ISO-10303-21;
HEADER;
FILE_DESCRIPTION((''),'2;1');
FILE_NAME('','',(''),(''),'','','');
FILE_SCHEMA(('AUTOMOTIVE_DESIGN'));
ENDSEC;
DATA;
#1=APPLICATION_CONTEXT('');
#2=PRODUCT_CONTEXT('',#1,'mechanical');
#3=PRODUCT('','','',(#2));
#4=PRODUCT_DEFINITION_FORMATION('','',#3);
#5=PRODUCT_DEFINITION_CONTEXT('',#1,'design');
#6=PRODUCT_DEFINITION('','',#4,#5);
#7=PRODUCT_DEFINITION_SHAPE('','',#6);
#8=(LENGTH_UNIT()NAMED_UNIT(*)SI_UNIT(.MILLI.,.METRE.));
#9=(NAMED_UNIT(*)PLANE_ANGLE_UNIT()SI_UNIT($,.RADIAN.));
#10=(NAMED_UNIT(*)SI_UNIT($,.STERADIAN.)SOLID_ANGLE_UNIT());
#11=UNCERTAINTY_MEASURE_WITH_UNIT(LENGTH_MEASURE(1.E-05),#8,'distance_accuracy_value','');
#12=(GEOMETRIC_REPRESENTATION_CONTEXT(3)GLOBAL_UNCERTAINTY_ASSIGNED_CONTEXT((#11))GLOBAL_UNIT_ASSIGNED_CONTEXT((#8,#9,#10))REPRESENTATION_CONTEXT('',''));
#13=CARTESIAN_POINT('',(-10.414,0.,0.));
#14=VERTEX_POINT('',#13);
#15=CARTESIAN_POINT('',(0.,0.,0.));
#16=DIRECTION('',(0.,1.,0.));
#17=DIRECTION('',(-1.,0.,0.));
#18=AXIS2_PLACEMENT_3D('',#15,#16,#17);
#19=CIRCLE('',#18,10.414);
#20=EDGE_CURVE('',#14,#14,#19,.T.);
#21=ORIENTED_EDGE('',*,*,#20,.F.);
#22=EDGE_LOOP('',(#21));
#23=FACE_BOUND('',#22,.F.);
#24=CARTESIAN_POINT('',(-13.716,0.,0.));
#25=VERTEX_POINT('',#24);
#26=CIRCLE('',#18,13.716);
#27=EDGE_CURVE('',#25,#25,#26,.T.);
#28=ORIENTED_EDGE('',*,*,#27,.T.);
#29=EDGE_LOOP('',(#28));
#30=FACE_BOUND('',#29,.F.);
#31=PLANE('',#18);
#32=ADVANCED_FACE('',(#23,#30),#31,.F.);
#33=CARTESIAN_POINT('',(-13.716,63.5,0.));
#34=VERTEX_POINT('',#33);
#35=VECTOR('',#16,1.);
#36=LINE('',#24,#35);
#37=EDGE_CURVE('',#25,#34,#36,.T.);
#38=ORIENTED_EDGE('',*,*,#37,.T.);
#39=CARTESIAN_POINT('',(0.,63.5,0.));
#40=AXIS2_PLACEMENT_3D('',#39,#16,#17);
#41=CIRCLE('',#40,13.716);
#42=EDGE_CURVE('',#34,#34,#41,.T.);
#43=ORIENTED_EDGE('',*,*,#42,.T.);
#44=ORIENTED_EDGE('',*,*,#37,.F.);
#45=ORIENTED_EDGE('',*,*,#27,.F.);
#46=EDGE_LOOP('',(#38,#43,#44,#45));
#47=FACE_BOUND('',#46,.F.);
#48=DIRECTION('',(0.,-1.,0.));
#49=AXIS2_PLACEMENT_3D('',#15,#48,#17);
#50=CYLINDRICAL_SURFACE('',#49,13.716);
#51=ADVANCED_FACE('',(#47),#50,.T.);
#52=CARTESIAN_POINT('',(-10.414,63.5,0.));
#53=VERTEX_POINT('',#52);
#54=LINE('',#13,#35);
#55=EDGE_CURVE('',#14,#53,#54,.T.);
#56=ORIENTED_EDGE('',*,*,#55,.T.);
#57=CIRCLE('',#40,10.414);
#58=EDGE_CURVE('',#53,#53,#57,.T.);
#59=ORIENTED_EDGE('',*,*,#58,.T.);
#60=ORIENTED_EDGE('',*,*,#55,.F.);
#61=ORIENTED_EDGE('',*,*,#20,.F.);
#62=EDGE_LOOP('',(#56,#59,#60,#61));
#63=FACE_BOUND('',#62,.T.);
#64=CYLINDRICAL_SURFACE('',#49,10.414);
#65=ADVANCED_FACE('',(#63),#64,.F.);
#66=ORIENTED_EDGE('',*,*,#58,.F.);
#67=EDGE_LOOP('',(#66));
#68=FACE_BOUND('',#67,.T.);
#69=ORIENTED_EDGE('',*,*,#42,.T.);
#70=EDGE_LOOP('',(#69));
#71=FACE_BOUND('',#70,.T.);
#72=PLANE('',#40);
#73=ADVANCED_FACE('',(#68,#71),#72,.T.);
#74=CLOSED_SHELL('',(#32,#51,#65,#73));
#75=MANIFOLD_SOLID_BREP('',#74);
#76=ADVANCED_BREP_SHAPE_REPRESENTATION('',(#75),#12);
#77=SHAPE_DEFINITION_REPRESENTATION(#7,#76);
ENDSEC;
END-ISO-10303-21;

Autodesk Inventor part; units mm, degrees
ref_plane "YZ Plane" through (0, 0, 0) normal (1, 0, 0) x (0, 1, 0)
ref_plane "XZ Plane" through (0, 0, 0) normal (0, 1, 0) x (-1, 0, 0)
ref_plane "XY Plane" through (0, 0, 0) normal (0, 0, 1) x (1, 0, 0)
sketch "Sketch1" plane through (0, 0, 0) normal (0, 1, 0) x (-1, 0, 0)
  circle A0 centre (0, 0) radius 10.414
  circle A1 centre (0, 0) radius 13.716
  dimension "d0" = 20.828
  dimension "d1" = 3.302
extrude "Extrusion1" add sketch "Sketch1" along normal blind 63.5
properties part number "autofeeder pipe 2"
